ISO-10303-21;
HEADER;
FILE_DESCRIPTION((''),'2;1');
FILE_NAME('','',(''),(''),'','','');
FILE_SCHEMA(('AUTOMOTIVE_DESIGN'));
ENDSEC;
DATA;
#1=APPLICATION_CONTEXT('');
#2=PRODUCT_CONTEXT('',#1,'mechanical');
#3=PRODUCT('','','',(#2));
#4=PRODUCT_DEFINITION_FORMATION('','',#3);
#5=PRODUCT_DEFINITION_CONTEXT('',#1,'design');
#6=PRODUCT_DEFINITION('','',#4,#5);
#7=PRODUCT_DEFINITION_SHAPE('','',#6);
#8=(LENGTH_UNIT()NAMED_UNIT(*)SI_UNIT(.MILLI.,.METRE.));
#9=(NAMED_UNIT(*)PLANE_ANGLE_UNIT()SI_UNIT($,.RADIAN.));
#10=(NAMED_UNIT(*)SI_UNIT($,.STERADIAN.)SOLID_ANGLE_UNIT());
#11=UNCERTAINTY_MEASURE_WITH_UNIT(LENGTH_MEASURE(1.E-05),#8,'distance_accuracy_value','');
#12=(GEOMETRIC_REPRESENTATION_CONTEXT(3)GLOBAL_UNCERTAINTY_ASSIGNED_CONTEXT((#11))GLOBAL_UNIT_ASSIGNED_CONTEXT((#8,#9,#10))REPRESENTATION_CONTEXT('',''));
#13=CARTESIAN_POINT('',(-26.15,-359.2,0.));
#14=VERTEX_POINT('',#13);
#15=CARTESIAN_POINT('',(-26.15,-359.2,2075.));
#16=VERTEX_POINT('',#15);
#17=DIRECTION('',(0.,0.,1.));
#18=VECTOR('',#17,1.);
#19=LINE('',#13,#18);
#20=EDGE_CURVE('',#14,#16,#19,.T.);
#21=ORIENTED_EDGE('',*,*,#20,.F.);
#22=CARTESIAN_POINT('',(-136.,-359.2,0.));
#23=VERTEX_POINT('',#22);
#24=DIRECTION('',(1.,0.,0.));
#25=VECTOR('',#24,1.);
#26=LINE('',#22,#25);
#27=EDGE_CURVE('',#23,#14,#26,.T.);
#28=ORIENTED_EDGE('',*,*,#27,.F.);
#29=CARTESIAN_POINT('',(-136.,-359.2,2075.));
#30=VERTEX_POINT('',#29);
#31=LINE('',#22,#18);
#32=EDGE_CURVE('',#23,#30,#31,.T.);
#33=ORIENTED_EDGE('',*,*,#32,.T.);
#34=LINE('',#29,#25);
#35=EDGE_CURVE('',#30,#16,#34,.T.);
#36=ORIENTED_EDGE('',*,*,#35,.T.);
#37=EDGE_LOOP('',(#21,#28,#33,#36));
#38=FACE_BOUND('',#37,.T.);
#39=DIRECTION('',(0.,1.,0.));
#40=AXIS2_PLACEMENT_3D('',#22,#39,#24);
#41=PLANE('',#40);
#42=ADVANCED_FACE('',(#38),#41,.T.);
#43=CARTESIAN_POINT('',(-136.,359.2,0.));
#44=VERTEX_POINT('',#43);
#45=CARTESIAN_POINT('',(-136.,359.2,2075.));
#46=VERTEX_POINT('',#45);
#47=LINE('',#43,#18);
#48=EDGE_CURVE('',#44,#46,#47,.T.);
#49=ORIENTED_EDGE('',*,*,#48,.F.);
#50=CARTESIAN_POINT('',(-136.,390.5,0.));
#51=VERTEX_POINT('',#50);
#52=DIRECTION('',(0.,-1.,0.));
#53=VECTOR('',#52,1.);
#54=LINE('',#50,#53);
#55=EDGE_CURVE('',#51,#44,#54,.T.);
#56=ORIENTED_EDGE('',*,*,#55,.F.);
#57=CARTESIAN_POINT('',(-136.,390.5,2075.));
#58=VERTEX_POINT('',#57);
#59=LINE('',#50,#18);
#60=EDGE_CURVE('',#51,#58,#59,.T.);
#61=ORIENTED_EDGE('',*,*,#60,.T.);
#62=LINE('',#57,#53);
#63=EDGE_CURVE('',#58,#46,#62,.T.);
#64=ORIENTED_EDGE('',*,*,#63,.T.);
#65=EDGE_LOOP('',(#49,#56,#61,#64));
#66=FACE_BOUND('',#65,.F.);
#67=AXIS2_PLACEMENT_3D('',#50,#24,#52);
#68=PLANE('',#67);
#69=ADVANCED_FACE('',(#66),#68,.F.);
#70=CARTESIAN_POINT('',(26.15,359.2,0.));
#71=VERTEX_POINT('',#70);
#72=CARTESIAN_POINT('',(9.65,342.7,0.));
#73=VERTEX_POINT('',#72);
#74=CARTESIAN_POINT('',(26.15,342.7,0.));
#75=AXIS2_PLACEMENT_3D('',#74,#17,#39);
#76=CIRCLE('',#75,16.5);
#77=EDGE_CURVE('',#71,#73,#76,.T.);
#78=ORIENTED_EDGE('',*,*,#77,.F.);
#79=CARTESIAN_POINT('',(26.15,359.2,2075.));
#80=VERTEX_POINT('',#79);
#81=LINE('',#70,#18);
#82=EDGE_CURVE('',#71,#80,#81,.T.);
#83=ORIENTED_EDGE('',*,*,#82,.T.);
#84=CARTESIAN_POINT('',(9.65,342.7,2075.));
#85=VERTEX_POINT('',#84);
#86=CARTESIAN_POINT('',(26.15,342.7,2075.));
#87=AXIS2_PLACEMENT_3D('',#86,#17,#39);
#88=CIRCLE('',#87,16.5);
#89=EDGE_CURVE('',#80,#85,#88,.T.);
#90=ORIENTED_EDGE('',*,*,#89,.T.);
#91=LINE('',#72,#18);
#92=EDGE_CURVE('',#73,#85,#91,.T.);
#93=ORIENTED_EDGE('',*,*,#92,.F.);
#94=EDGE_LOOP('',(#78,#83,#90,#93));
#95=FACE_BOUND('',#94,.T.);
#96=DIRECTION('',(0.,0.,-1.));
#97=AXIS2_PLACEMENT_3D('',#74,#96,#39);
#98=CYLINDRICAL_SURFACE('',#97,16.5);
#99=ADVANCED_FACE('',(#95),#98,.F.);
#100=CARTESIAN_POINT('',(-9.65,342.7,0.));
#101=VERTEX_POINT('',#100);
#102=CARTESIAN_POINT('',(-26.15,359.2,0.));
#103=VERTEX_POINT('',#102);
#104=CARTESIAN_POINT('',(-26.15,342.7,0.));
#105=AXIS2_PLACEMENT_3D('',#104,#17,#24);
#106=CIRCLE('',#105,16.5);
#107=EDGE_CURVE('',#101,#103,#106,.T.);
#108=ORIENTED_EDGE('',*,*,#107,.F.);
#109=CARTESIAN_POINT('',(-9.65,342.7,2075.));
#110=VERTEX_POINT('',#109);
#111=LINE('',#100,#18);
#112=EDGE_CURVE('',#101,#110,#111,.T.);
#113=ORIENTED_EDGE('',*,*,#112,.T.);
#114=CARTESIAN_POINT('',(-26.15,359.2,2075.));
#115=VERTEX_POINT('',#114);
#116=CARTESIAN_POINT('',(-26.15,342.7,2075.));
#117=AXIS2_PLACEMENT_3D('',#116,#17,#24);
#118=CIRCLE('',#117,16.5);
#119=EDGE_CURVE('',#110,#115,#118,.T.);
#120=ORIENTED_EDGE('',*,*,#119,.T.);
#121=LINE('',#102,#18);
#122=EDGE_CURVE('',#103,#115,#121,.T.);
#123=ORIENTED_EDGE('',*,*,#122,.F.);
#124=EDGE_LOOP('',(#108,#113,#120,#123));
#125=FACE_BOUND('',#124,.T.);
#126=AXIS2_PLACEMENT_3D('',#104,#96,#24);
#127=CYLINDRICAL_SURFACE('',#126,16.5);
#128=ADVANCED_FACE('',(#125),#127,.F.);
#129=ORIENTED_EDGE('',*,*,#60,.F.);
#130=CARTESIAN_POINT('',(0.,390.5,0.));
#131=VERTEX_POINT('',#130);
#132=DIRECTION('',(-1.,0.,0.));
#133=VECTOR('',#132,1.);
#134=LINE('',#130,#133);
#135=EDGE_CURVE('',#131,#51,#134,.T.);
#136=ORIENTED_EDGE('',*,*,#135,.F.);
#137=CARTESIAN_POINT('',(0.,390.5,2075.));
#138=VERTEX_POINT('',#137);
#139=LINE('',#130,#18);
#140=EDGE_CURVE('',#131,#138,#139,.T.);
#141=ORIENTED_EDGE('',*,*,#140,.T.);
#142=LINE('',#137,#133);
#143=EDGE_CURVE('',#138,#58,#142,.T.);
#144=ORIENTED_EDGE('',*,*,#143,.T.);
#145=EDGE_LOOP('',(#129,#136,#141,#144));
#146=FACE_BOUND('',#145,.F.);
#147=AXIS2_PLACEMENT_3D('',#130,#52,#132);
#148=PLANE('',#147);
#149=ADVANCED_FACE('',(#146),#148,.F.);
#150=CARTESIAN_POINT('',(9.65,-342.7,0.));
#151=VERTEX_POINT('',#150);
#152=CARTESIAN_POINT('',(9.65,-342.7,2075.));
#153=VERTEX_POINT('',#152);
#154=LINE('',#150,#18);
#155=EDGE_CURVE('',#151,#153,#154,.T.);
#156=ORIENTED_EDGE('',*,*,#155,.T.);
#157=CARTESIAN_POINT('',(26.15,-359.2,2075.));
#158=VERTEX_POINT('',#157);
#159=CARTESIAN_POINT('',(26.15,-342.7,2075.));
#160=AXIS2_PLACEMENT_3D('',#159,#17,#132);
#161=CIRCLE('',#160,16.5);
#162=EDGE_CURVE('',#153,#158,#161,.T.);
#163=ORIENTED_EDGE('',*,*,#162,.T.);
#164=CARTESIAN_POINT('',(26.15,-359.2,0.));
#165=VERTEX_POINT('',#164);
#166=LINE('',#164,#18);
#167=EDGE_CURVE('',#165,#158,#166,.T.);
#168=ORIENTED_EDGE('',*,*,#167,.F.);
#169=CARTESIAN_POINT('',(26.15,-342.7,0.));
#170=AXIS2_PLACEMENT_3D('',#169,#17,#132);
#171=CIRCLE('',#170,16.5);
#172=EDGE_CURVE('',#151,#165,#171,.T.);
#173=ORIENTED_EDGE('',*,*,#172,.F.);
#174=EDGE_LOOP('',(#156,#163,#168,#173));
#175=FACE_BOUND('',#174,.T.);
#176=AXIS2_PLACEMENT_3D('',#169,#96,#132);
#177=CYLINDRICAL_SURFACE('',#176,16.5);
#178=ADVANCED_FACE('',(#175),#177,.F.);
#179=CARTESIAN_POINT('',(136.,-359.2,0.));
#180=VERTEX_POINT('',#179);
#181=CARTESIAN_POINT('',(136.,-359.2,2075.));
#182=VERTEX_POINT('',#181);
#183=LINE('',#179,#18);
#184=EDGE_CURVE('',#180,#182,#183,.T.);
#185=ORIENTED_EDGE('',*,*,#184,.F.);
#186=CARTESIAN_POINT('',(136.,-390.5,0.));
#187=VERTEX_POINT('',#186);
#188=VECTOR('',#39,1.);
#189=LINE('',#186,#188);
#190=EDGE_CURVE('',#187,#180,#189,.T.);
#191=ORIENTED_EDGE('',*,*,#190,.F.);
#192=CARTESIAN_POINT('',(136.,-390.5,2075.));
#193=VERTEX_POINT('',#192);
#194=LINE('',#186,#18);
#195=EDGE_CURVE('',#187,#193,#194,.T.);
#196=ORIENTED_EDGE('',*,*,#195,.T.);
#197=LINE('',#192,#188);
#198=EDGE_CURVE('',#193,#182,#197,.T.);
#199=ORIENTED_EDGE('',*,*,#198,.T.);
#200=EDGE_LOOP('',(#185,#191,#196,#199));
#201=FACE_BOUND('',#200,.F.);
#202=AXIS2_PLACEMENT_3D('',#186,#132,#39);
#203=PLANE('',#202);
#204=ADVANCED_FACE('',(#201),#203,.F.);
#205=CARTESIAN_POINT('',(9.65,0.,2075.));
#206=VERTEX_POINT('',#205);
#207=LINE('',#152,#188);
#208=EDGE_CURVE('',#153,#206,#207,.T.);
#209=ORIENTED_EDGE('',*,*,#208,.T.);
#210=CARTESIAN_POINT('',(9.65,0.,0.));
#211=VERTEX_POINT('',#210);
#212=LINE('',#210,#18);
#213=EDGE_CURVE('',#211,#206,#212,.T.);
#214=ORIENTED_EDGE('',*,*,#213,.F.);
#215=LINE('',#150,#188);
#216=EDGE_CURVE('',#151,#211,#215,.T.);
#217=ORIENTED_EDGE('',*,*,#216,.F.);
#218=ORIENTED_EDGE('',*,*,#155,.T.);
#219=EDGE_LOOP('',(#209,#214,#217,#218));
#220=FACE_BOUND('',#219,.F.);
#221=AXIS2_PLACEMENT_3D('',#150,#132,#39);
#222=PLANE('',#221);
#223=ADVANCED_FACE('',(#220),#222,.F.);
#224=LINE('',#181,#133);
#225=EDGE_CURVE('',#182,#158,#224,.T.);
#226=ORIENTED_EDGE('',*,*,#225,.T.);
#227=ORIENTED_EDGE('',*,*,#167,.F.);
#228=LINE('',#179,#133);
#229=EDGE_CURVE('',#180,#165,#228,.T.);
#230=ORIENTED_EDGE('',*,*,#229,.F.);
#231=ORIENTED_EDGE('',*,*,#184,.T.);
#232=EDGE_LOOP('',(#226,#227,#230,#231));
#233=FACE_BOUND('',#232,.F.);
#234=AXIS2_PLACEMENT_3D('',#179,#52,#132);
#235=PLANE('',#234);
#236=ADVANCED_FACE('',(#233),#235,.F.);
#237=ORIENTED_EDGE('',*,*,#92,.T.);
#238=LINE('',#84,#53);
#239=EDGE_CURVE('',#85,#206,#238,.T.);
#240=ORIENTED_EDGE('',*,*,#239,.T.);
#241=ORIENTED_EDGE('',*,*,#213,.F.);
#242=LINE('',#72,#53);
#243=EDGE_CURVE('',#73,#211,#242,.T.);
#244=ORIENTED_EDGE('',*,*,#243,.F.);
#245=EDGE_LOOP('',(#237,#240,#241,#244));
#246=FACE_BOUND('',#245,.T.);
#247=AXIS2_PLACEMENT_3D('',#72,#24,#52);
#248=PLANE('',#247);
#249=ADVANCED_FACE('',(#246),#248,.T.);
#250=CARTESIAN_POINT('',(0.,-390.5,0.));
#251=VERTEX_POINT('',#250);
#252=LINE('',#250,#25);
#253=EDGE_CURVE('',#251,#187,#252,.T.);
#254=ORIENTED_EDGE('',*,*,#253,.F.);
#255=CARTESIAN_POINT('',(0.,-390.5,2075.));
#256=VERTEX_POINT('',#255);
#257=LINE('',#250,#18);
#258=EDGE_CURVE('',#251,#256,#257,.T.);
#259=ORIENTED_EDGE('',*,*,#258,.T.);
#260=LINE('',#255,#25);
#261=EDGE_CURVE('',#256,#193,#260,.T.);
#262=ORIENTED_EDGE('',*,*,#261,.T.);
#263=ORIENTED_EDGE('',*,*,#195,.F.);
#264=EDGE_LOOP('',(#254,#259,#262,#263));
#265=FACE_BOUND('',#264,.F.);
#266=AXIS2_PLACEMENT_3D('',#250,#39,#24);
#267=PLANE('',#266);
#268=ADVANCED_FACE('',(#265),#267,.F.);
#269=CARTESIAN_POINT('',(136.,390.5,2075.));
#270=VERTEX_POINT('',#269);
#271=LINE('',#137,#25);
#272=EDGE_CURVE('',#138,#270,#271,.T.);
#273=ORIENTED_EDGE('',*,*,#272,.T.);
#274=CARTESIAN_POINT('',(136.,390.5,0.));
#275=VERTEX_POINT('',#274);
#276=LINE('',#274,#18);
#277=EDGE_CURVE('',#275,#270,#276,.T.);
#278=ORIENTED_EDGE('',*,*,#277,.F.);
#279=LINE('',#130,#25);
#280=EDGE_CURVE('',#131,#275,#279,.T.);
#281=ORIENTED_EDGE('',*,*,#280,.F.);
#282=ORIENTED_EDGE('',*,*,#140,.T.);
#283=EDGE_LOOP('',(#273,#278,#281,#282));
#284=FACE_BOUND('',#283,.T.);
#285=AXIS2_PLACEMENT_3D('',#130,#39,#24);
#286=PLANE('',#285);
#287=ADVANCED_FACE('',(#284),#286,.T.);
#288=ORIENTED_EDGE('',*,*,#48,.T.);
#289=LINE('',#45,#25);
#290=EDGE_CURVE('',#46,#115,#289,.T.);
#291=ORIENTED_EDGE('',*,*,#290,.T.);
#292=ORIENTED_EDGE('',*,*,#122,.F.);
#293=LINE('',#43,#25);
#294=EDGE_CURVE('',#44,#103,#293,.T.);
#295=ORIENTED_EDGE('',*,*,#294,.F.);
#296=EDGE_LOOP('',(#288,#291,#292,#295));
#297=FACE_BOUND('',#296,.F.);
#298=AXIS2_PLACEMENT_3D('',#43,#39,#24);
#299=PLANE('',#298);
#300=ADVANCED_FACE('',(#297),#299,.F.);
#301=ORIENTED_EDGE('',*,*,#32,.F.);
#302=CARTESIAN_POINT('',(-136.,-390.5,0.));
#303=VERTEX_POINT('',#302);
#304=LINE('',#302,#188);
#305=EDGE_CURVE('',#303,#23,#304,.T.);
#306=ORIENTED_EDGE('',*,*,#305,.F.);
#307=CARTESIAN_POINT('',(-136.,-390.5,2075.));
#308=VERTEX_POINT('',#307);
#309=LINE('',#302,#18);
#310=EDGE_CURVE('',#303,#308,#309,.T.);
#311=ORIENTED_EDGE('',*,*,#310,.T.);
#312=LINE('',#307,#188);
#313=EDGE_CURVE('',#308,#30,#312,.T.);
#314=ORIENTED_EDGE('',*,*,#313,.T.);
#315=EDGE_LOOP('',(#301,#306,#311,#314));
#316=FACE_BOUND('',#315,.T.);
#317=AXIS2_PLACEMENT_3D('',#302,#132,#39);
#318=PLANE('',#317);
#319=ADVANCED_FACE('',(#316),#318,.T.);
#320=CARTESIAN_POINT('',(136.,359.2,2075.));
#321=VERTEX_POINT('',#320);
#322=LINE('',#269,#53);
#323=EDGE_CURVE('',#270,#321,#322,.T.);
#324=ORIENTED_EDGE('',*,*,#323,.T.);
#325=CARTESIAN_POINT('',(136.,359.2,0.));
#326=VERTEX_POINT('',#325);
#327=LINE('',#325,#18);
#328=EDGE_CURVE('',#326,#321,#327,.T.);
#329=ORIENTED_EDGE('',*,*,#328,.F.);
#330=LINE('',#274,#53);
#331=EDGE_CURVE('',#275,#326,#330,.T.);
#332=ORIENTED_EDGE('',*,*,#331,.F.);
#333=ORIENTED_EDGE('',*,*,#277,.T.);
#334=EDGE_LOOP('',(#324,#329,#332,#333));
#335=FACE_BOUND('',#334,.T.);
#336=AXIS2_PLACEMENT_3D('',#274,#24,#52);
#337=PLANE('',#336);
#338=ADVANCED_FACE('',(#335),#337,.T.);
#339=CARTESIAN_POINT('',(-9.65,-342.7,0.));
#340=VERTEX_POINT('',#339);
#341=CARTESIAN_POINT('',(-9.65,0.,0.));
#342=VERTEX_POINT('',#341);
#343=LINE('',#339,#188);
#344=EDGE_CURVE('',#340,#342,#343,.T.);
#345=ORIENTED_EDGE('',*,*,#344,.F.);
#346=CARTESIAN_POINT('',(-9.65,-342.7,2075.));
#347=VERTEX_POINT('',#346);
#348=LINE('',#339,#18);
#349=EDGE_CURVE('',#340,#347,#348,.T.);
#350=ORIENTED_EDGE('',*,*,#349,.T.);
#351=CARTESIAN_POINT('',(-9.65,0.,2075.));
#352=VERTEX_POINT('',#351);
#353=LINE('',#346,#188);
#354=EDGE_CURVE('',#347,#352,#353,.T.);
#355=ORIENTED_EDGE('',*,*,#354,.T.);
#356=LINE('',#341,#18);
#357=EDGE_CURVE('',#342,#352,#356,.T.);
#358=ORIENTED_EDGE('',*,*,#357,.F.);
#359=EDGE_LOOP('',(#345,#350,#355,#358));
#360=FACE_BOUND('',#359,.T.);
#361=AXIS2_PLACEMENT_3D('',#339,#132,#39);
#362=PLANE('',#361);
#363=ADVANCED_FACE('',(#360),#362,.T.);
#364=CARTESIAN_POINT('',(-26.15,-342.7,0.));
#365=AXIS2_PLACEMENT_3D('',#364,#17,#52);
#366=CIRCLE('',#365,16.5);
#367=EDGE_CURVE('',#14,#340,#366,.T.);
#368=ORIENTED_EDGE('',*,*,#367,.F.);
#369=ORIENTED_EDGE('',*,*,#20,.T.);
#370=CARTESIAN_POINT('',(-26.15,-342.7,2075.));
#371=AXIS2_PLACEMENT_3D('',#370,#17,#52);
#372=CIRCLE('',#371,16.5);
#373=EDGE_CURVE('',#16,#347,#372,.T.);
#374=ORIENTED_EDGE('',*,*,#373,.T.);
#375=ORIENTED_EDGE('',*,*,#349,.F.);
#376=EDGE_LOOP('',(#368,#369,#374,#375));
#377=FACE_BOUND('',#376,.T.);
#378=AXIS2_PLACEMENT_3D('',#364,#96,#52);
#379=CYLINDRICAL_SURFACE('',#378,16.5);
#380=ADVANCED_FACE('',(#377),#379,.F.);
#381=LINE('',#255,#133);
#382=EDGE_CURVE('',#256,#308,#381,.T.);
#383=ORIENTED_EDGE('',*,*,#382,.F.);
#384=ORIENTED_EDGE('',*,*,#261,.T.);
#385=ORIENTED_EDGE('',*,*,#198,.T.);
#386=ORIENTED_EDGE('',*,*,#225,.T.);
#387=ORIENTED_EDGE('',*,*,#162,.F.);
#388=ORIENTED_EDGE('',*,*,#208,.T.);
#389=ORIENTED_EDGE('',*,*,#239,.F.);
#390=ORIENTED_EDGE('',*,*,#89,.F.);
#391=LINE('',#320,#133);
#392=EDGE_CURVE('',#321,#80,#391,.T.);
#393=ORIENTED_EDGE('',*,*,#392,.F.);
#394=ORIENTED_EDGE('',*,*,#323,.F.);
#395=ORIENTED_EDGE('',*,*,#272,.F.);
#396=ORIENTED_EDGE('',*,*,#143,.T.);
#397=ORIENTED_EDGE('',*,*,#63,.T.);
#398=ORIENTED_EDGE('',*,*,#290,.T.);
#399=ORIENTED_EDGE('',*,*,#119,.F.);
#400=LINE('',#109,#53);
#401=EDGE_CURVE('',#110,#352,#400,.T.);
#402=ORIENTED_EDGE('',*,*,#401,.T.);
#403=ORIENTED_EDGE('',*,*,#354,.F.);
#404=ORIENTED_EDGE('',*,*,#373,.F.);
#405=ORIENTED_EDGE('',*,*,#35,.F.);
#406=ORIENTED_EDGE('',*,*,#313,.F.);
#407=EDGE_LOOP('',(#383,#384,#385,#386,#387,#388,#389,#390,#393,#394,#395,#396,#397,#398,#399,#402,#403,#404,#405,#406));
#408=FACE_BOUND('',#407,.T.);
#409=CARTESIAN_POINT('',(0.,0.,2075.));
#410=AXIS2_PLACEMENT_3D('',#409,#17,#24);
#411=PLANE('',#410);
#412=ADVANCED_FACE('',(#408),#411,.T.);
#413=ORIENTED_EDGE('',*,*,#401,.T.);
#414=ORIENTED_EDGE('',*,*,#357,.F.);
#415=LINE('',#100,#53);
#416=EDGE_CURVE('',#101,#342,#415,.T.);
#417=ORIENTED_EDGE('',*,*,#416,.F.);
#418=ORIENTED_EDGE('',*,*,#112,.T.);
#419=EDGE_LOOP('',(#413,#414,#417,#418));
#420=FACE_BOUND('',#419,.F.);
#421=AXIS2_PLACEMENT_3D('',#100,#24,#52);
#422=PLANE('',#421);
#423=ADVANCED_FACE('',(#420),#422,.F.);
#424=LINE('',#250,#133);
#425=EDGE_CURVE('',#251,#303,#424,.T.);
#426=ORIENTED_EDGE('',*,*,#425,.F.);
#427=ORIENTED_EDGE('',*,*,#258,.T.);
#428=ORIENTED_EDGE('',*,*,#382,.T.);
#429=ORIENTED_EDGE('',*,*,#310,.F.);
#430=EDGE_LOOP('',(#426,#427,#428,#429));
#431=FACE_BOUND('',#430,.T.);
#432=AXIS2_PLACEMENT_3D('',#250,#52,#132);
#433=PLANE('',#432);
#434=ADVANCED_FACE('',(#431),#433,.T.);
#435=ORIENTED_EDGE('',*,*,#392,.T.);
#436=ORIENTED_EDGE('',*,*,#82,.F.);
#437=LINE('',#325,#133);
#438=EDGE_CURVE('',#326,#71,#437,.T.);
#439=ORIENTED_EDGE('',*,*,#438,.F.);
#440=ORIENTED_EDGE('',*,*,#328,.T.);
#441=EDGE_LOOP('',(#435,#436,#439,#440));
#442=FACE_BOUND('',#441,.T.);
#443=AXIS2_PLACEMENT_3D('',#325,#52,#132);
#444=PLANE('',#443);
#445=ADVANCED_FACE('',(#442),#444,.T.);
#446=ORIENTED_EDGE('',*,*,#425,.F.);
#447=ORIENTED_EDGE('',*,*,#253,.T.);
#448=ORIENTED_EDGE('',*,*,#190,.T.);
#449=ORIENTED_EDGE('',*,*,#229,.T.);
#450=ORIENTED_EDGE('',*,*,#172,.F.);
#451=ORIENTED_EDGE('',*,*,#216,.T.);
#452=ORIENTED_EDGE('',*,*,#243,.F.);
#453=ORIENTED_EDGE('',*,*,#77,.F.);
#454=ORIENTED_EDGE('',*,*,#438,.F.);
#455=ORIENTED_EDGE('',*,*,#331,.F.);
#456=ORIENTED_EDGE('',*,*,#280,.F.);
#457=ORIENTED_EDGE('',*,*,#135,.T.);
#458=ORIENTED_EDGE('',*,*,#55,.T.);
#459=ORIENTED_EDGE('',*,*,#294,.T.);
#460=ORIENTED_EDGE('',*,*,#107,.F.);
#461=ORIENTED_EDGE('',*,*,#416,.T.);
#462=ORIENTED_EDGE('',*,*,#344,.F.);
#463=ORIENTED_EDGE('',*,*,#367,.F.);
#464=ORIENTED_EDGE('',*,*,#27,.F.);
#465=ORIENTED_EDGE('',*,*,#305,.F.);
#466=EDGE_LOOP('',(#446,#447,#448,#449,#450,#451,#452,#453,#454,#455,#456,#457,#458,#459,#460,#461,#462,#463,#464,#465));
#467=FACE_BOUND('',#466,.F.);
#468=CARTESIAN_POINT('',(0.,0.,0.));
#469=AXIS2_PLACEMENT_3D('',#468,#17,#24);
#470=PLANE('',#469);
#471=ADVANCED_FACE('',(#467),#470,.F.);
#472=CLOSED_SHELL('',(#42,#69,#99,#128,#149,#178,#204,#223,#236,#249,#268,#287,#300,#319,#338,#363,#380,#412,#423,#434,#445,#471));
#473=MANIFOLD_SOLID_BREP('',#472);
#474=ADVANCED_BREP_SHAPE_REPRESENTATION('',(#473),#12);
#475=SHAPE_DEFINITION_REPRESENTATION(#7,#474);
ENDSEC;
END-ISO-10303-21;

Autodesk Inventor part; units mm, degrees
ref_plane "YZ Plane" through (0, 0, 0) normal (1, 0, 0) x (0, 1, 0)
ref_plane "Start plane" through (0, 0, 0) normal (0, 0, 1) x (1, 0, 0)
ref_plane "End plane" through (0, 0, 2075) normal (0, 0, 1) x (1, 0, 0)
sketch "Sketch" plane through (0, 0, 0) normal (0, 0, 1) x (1, 0, 0)
  line L0 (-136, -390.5) -> (-136, -359.2)
  line L1 (-136, -359.2) -> (-26.15, -359.2)
  line L2 (-9.65, -342.7) -> (-9.65, 0)
  line L3 (-9.65, 0) -> (0, 0) construction
  line L4 (0, 0) -> (0, -390.5) construction
  line L5 (0, -390.5) -> (-136, -390.5)
  line L6 (-60, 0) -> (80, 0) construction
  line L7 (0, -60) -> (0, 80) construction
  line L8 (136, -390.5) -> (136, -359.2)
  line L9 (136, -359.2) -> (26.15, -359.2)
  line L10 (9.65, -342.7) -> (9.65, 0)
  line L11 (9.65, 0) -> (0, 0) construction
  line L12 (0, -390.5) -> (136, -390.5)
  line L13 (-136, 390.5) -> (-136, 359.2)
  line L14 (-136, 359.2) -> (-26.15, 359.2)
  line L15 (-9.65, 342.7) -> (-9.65, 0)
  line L16 (0, 390.5) -> (-136, 390.5)
  line L17 (136, 390.5) -> (136, 359.2)
  line L18 (136, 359.2) -> (26.15, 359.2)
  line L19 (0, 390.5) -> (136, 390.5)
  line L20 (9.65, 342.7) -> (9.65, 0)
  arc A0 (-9.65, 342.7) -> (-26.15, 359.2) centre (-26.15, 342.7) ccw
  arc A1 (26.15, 359.2) -> (9.65, 342.7) centre (26.15, 342.7) ccw
  arc A2 (9.65, -342.7) -> (26.15, -359.2) centre (26.15, -342.7) ccw
  arc A3 (-26.15, -359.2) -> (-9.65, -342.7) centre (-26.15, -342.7) ccw
  line L21 (0, 108) -> (0, -88) construction
  line L22 (-88, 0) -> (108, 0) construction
  point P0 (-9.65, -359.2)
  point P1 (9.65, -359.2)
  point P2 (-9.65, 359.2)
  point P3 (9.65, 359.2)
  dimension "d1" = 390.5
  dimension "d2" = 31.3
  dimension "d3" = 136
  dimension "d4" = 9.65
  dimension "d10" = 16.5
extrude "Body" add sketch "Sketch" along normal up to surface (2075 mm away) from surface at 0
sketch "Sketch4" plane through (0, 0, 0) normal (0, 0, 1) x (1, 0, 0)
  line L0 (0, 0) -> (10, 0)
ref_plane "Work Plane3" through (0, 0, 0) normal (0, -1, 0) x (1, 0, 0)
sketch "Sketch5" plane through (0, 0, 0) normal (0, -1, 0) x (1, 0, 0)
  line L0 (-2, 0) -> (12, 0) projected
  line L1 (-2, 2075) -> (12, 2075) projected
  dimension "d14" = 2075
equation "\"d1\" = 0.5 * G_H"
equation "\"d2\" = G_T1"
equation "\"d3\" = 0.5 * G_W"
equation "\"d4\" = 0.5 * G_T"
equation "\"d10\" = G_IR"
equation "\"d5\" = G_L"
equation "\"G_W\" = 272"
equation "\"G_H\" = 781"
equation "\"G_T\" = 19.3"
equation "\"G_T1\" = 31.3"
equation "\"G_IR\" = 16.5"
equation "\"G_L\" = d14"
equation "\"G_OFFSET_START\" = 0"
equation "\"G_OFFSET_END\" = 0"
equation "\"d12\" = G_OFFSET_END + B_L"
equation "\"B_L\" = 2075"
properties part number "AS 3679-1990 - 760 UB - 244 - 2075" material "Steel, Mild"
